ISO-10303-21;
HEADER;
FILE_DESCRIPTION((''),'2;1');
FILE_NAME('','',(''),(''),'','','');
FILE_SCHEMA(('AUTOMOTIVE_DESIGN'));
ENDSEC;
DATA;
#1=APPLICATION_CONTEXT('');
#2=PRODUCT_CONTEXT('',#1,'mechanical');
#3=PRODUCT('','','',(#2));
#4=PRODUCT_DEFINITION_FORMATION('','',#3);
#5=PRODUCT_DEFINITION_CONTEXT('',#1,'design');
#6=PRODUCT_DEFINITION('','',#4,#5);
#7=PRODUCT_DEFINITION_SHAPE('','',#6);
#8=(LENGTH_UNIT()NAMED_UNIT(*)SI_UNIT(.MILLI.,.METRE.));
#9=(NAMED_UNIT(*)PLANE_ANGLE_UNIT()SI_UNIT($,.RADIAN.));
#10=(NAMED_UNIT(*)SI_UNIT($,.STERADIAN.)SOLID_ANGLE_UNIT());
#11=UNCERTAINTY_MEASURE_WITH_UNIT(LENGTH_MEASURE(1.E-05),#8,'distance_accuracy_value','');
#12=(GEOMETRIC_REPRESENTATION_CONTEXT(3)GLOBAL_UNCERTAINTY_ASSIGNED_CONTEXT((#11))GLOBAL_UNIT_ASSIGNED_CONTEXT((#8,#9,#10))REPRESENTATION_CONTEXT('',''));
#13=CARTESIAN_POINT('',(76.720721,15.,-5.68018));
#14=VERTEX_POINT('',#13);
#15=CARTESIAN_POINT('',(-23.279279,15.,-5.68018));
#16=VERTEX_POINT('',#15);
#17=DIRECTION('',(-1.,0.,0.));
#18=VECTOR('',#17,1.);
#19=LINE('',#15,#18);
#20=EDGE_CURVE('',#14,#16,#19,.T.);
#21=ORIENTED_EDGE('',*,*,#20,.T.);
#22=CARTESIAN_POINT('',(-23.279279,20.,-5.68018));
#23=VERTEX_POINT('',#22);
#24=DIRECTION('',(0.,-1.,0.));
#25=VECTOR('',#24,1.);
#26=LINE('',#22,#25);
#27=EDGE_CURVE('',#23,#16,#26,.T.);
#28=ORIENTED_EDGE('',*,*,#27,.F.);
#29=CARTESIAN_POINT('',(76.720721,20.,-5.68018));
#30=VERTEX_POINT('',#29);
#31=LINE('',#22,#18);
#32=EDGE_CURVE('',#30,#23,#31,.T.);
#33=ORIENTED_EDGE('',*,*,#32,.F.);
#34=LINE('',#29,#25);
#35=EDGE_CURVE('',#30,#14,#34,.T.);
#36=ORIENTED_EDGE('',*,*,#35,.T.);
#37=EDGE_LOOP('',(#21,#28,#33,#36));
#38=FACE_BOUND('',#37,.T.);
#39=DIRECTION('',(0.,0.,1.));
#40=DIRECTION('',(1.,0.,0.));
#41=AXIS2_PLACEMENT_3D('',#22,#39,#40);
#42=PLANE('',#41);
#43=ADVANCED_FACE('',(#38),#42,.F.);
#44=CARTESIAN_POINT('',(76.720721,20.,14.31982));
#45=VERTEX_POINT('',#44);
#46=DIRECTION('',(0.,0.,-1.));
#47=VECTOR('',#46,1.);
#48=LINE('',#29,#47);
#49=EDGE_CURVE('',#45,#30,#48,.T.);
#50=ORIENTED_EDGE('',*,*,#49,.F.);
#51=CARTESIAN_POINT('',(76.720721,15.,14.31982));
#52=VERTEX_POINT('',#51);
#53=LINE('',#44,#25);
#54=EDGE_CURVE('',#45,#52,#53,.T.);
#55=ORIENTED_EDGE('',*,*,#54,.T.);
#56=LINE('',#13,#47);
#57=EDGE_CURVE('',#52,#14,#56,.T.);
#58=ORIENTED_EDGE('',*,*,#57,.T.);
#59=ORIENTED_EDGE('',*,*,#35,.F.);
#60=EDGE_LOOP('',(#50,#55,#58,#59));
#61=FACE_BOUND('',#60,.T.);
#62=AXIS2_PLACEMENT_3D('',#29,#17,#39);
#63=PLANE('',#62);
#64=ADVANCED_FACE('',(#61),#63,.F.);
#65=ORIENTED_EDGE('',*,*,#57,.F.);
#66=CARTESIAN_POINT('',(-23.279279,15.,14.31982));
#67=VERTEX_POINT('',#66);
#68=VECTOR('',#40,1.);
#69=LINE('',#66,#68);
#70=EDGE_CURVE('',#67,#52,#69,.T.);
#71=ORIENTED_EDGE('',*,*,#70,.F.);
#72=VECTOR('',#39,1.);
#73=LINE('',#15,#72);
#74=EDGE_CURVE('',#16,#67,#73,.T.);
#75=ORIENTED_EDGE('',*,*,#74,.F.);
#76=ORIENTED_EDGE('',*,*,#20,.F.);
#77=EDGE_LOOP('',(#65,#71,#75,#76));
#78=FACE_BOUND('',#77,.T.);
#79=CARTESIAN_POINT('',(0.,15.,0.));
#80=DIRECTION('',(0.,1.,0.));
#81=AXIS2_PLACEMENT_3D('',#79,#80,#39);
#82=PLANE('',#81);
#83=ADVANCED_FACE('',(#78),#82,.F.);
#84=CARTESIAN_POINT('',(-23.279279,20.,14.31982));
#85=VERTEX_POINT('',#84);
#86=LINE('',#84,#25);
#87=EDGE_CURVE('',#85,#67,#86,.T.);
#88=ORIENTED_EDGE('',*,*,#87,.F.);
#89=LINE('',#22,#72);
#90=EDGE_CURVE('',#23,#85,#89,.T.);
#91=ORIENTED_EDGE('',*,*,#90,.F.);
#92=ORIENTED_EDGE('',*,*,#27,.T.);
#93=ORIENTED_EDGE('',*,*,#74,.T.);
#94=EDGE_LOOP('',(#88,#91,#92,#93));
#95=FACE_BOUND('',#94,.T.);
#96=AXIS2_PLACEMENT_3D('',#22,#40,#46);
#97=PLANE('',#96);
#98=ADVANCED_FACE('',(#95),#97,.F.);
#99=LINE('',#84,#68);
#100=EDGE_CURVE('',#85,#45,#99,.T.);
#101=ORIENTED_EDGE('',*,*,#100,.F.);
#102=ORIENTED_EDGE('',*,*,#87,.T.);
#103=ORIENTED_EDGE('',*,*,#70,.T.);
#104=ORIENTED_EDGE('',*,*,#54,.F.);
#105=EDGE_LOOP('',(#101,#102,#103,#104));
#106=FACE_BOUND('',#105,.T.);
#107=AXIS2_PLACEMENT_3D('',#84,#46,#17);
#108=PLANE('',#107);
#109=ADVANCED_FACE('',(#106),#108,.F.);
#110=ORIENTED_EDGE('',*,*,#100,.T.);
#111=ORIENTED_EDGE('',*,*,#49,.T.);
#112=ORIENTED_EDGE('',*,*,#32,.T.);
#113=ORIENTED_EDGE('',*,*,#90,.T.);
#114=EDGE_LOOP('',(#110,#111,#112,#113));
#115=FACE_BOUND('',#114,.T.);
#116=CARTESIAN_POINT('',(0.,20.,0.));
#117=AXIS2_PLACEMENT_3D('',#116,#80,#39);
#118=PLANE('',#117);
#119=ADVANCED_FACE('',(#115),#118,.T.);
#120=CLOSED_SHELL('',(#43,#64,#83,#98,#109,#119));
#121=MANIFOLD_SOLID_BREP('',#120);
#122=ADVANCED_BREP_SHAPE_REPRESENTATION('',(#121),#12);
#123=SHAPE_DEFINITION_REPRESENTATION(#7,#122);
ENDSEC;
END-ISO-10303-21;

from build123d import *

# Parameters (mm, degrees)
SKETCH_1_W      = 100
SKETCH_1_H      = 20
EXTRUDE_1_DEPTH = 5


with BuildPart() as part:
    # 草图1 → 凸台-拉伸1 (new body)
    with BuildSketch(Plane(origin=(0, 15, 0), x_dir=(1, 0, 0), z_dir=(0, 1, 0))):
        with Locations((26.720720721, -4.31981982)):
            Rectangle(SKETCH_1_W, SKETCH_1_H)
    extrude(amount=EXTRUDE_1_DEPTH)


solid = part.part
